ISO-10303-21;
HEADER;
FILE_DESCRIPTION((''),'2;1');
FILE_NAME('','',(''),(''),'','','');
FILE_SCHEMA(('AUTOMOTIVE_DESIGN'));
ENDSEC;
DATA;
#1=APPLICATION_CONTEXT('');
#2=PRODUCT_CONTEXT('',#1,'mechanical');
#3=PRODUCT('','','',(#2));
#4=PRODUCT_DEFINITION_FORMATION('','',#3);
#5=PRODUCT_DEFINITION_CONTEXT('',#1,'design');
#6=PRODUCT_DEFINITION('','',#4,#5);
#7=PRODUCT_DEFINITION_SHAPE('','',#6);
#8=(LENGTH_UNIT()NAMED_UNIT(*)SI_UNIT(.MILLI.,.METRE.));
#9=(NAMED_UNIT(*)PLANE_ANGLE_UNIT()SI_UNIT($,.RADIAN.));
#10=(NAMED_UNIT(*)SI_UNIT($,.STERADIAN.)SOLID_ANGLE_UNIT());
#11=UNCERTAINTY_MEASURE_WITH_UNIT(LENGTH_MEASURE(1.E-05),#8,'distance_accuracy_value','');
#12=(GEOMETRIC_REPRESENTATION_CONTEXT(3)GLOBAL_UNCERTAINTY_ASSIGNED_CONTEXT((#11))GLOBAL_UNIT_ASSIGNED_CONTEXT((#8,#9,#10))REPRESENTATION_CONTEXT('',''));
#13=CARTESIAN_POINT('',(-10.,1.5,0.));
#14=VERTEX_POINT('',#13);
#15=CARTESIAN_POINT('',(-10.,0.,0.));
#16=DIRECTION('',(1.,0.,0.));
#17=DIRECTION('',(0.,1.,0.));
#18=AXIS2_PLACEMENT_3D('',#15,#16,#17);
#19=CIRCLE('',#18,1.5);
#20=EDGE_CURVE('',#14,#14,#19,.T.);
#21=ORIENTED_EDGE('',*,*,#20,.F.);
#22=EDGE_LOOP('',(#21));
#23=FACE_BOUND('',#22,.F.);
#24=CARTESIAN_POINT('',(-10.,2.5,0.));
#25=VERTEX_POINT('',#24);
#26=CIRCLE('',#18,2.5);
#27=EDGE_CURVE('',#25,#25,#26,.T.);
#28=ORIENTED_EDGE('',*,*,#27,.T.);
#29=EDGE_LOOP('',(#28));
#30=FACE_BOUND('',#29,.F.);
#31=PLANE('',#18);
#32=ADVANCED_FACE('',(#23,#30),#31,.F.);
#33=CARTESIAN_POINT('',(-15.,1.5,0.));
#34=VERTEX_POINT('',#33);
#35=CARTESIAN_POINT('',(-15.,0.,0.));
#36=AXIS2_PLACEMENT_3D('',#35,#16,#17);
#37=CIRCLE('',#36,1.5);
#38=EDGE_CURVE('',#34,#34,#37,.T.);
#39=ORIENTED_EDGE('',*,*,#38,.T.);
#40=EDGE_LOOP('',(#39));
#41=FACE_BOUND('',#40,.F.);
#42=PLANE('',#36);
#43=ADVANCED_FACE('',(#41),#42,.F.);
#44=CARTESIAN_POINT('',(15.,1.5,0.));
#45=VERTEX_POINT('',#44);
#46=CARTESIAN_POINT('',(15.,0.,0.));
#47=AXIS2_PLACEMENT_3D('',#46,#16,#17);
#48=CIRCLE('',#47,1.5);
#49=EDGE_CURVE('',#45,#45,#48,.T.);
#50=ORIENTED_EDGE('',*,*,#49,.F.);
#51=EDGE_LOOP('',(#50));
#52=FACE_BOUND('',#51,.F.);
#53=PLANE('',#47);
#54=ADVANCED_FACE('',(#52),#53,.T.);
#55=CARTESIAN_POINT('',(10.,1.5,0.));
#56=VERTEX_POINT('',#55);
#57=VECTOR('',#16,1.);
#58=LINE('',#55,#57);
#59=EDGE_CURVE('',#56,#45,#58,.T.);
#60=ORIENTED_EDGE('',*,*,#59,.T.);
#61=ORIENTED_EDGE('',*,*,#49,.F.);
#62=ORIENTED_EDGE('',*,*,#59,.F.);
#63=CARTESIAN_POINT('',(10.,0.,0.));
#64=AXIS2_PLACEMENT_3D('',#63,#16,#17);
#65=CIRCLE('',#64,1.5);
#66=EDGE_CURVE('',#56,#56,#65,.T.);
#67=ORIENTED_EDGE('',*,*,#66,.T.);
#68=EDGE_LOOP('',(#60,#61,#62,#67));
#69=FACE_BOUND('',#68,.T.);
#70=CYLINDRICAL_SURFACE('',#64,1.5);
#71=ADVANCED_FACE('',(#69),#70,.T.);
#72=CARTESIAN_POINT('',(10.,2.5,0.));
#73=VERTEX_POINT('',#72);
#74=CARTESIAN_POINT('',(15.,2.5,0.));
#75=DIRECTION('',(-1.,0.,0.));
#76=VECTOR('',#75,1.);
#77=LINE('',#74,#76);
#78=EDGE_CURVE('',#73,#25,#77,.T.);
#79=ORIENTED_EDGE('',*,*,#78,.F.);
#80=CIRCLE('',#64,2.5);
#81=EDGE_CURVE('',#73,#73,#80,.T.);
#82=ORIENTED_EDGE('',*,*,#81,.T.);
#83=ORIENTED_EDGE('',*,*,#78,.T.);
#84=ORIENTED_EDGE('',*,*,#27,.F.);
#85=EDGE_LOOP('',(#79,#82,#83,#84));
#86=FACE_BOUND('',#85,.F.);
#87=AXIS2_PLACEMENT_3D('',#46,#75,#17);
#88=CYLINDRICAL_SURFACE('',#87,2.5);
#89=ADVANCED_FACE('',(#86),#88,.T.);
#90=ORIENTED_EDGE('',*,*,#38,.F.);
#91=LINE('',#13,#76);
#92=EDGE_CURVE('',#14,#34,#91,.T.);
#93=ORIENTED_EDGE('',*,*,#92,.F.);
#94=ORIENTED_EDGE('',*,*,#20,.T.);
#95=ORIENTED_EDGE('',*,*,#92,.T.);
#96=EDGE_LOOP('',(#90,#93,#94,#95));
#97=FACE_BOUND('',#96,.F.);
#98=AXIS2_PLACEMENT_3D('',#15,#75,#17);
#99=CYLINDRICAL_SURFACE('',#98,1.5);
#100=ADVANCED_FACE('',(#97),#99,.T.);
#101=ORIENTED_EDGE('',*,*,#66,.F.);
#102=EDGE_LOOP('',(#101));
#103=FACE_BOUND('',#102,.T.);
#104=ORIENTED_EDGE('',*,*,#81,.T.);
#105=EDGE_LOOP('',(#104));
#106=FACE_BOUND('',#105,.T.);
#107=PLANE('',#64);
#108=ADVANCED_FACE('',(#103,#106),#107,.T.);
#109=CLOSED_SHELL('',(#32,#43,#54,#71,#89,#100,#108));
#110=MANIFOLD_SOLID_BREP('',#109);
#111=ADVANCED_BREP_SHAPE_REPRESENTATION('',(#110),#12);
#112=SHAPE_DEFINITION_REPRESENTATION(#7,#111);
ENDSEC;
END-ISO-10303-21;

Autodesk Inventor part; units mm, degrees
ref_plane "YZ Plane" through (0, 0, 0) normal (1, 0, 0) x (0, 1, 0)
ref_plane "XZ Plane" through (0, 0, 0) normal (0, 1, 0) x (-1, 0, 0)
ref_plane "XY Plane" through (0, 0, 0) normal (0, 0, 1) x (1, 0, 0)
sketch "Sketch2" plane through (0, 0, 0) normal (0, 0, 1) x (1, 0, 0)
  line L0 (-15, 0) -> (15, 0)
  line L1 (15, 0) -> (15, 2.5)
  line L2 (15, 2.5) -> (-15, 2.5)
  line L3 (-15, 2.5) -> (-15, 0)
  line L4 (15, 2.5) -> (10, 2.5)
  line L5 (10, 2.5) -> (10, 1.5)
  line L6 (10, 1.5) -> (15, 1.5)
  line L7 (15, 1.5) -> (15, 2.5)
  line L8 (-15, 2.5) -> (-10, 2.5)
  line L9 (-10, 2.5) -> (-10, 1.5)
  line L10 (-10, 1.5) -> (-15, 1.5)
  line L11 (-15, 1.5) -> (-15, 2.5)
  point P0 (0, 0)
  point P1 (0, 0)
  dimension "d3" = 30
  dimension "d4" = 2.5
  dimension "d5" = 1.5
  dimension "d6" = 5
revolve "Revolution1" add sketch "Sketch2" angle 360 about axis through (-15, 0, 0) along (1, 0, 0) contours L3 L10 L9 L2 L5 L6 L1 L0
properties part number "Pin" material "Stainless Steel"
